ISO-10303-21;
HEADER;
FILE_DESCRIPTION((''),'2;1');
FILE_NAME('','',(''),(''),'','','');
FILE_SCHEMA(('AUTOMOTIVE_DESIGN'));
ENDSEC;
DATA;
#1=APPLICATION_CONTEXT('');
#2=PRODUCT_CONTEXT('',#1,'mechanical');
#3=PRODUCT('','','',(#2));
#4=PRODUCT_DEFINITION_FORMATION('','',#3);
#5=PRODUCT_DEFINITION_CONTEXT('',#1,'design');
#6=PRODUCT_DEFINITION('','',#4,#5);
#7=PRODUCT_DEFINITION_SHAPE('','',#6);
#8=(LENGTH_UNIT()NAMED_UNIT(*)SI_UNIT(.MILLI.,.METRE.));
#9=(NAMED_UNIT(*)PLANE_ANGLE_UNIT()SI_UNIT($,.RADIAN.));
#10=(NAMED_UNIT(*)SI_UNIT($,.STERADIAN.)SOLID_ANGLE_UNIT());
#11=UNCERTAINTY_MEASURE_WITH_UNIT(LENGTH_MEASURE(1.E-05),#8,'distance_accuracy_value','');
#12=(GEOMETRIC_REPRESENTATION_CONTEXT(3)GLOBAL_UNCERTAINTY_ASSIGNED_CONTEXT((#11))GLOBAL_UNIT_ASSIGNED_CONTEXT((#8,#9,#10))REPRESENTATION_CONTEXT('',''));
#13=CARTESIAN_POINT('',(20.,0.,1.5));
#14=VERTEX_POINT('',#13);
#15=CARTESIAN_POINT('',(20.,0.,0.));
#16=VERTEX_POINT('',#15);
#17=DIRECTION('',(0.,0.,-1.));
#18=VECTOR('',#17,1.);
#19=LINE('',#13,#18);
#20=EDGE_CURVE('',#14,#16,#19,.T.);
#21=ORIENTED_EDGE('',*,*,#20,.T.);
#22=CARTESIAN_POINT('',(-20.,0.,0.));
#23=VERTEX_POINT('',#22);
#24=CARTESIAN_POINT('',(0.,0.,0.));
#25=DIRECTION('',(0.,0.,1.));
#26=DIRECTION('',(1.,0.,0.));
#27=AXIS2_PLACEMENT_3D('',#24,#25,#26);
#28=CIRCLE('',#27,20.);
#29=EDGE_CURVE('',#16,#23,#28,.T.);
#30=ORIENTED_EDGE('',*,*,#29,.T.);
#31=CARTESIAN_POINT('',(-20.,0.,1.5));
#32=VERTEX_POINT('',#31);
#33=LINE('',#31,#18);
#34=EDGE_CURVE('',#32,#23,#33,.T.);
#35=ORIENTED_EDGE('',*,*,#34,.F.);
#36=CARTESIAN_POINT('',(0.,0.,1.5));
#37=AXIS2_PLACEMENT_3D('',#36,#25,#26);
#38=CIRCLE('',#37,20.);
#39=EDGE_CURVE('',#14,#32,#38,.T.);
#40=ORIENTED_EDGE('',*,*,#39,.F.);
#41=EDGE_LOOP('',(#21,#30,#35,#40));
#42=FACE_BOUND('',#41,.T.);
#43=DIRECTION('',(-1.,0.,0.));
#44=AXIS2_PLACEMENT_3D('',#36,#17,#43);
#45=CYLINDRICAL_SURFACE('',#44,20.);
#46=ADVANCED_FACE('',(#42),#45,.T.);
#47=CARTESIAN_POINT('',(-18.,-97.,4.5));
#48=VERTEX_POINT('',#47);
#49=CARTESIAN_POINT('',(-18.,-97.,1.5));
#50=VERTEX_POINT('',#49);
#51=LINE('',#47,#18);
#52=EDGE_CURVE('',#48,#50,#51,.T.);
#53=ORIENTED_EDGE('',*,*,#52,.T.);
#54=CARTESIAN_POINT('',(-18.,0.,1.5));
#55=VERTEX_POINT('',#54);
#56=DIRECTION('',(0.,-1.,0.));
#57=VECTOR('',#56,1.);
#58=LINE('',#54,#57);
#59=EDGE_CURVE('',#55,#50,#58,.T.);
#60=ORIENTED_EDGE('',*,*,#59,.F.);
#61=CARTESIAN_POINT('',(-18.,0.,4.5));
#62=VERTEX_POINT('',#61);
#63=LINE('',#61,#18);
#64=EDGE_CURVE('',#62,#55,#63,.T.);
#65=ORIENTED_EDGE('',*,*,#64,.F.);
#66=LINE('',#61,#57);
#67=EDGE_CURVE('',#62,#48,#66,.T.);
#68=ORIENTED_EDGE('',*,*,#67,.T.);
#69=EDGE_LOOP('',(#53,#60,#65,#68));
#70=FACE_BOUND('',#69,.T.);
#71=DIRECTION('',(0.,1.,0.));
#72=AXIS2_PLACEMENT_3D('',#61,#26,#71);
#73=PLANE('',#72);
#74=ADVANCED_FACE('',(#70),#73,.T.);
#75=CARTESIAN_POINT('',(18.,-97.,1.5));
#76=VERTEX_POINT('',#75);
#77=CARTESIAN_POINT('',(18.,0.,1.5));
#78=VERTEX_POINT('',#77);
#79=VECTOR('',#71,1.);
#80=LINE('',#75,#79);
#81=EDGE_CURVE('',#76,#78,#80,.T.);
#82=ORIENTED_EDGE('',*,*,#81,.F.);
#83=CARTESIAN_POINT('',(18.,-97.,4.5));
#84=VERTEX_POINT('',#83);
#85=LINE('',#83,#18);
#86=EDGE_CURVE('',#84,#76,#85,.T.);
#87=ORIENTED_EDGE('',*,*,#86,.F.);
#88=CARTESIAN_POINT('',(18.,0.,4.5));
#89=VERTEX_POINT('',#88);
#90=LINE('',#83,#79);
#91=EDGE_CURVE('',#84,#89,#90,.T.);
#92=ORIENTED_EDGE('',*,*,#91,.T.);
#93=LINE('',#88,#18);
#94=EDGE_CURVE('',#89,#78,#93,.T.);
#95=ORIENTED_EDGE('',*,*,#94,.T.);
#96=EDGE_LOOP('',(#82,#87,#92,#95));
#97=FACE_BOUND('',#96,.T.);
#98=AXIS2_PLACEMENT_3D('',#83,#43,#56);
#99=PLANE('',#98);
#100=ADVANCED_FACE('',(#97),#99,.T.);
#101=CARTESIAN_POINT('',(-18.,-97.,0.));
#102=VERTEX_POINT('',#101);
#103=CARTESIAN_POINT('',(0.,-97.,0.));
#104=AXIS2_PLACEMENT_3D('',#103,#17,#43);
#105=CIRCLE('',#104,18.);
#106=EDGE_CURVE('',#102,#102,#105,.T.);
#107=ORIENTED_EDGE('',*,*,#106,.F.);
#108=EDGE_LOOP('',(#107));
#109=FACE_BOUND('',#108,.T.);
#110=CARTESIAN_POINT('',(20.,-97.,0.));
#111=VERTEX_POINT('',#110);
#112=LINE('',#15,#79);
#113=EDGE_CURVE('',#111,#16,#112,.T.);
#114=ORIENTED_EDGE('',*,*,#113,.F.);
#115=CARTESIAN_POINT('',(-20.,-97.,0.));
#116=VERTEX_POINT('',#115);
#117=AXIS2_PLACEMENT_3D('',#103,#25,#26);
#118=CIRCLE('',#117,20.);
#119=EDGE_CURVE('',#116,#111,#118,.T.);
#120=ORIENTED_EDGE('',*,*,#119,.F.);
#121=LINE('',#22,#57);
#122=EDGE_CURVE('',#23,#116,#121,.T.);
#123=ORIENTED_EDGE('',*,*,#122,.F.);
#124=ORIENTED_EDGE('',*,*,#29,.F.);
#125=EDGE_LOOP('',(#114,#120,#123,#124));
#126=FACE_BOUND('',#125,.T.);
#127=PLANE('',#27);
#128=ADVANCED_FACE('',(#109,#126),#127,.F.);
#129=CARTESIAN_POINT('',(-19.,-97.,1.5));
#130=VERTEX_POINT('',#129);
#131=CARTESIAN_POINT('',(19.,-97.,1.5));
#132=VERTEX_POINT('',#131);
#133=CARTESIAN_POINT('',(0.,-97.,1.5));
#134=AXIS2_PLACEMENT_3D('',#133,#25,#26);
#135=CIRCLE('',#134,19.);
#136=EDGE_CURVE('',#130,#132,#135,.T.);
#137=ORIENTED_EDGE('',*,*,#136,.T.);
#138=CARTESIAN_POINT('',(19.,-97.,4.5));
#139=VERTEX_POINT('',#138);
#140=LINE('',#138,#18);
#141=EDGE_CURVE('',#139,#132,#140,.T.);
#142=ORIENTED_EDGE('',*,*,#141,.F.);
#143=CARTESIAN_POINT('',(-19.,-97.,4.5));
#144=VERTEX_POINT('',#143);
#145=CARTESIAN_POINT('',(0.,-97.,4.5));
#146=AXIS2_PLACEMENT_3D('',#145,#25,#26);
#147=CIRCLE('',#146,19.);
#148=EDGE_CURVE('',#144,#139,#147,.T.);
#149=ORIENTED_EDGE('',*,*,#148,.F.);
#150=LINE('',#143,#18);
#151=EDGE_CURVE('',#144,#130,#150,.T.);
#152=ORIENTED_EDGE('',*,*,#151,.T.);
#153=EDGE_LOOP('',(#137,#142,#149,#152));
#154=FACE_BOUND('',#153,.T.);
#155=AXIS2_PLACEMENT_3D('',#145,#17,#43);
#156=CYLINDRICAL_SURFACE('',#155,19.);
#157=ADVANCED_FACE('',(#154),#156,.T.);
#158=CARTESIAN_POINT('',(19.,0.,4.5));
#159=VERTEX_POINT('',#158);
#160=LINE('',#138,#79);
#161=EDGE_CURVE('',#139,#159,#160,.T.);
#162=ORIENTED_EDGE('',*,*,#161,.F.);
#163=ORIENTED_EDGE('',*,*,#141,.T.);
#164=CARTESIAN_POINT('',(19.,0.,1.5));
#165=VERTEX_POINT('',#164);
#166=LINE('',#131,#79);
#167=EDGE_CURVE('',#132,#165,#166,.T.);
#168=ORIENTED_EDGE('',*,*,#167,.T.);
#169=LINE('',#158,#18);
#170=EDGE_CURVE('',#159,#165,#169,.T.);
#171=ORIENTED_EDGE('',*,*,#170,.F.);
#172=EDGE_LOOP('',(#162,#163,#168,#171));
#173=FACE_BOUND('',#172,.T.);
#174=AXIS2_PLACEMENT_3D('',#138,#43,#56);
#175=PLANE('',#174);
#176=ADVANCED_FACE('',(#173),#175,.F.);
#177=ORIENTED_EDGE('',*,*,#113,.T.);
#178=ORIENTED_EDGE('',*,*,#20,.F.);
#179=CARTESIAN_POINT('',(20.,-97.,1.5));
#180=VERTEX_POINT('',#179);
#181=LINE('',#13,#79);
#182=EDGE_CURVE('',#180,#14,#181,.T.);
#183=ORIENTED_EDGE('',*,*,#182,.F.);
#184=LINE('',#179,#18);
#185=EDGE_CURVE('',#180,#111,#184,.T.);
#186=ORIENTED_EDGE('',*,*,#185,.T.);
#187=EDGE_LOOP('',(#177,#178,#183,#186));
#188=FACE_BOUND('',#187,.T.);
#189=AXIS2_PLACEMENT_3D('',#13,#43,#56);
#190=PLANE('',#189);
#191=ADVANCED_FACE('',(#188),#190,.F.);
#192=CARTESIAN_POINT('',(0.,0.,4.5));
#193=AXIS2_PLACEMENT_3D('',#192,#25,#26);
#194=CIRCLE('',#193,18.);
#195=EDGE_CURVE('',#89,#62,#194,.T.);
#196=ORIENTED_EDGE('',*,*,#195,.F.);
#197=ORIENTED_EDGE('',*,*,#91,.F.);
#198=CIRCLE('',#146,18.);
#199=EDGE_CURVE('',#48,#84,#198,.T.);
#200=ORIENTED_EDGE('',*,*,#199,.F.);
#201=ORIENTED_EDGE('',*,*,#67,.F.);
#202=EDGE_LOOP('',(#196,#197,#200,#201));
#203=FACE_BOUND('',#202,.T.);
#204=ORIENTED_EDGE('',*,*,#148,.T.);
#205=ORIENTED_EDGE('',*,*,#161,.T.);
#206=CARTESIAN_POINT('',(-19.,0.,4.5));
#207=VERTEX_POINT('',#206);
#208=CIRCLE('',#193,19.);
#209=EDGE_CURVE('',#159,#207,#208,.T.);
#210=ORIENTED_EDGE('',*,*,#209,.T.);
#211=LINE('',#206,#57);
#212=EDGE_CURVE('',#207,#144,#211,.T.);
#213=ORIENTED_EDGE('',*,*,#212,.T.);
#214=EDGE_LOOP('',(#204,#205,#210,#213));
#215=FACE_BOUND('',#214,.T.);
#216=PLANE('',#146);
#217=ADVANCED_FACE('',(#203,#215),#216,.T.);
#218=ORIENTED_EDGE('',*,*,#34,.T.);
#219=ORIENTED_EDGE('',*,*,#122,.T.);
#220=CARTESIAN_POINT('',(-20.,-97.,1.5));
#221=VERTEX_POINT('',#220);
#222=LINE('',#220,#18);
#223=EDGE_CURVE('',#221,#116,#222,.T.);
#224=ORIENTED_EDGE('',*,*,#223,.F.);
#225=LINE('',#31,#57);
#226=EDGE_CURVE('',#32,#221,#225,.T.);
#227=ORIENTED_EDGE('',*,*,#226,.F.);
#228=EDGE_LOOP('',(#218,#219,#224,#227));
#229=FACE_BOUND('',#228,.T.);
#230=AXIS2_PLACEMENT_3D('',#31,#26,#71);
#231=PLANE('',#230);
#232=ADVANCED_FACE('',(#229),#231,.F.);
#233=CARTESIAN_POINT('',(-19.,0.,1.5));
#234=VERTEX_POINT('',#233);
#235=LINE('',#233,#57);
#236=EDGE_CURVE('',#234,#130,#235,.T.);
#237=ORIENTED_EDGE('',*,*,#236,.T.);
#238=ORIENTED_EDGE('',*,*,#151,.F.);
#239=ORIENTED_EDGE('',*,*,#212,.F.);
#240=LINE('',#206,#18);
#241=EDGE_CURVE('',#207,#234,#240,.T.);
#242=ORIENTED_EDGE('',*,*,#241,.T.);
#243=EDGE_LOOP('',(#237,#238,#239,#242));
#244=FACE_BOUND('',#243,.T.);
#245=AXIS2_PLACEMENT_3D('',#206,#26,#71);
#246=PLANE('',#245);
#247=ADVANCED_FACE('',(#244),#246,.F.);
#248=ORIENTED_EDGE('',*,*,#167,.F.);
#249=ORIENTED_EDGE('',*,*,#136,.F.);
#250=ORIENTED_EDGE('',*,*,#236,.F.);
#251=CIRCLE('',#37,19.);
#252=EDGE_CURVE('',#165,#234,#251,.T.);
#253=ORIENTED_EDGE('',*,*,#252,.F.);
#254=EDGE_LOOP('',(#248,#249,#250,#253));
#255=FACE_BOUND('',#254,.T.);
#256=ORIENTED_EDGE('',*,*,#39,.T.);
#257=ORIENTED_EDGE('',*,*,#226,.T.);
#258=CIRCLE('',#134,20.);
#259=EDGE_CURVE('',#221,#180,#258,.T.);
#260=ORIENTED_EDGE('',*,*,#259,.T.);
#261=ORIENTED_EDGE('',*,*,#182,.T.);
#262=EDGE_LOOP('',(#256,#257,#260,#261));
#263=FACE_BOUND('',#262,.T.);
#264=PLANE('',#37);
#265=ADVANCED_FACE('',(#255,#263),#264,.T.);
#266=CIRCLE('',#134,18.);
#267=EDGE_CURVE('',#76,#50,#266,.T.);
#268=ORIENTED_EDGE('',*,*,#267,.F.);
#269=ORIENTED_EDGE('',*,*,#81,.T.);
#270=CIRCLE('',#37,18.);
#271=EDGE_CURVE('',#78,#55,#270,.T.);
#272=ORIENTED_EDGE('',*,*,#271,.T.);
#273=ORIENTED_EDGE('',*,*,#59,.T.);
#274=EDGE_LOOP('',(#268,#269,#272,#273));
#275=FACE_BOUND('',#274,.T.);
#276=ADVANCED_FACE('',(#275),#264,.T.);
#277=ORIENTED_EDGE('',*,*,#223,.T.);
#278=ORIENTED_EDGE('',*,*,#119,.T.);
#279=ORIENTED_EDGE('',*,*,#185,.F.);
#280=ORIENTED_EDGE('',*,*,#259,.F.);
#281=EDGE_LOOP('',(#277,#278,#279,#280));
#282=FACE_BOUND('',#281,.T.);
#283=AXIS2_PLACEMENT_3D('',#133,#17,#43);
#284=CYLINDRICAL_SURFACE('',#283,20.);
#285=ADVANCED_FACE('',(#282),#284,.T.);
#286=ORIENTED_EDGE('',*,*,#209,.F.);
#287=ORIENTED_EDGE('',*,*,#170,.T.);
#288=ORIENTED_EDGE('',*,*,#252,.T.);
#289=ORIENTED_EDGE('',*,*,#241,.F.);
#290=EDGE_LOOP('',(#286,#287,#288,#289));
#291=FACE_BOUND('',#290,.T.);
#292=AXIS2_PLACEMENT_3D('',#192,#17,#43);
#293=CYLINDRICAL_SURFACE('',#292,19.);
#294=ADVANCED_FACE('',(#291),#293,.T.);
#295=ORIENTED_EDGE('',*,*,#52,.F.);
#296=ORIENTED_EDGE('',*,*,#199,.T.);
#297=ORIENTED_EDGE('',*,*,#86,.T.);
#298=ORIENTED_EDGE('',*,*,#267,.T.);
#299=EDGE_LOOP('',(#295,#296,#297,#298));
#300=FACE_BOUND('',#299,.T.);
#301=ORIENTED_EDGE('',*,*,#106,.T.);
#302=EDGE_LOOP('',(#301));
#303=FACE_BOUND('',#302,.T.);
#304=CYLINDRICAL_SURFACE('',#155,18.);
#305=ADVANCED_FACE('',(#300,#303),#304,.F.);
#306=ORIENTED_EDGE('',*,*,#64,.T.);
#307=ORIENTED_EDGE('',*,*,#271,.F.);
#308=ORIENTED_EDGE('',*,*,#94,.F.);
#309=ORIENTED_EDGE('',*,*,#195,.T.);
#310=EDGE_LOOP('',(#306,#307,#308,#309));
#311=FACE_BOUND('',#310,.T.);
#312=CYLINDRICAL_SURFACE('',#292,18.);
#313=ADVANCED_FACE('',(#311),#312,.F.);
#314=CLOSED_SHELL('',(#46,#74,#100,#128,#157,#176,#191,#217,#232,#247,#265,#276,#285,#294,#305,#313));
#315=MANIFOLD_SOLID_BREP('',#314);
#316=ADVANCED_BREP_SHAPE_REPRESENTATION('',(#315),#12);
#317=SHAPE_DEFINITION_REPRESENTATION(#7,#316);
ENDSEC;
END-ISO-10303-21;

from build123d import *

# Parameters (mm, degrees)
BOSS_EXTRUDE1_DEPTH = 1.5
BOSS_EXTRUDE2_DEPTH = 3
SKETCH6_R           = 18
CUT_EXTRUDE1_DEPTH  = 119.782364011


with BuildPart() as part:
    # Sketch3 → Boss-Extrude1 (new body)
    with BuildSketch(Plane.XY):
        with BuildLine():
            Line((-20, 0), (-20, -97))
            ThreePointArc((-20, -97), (0, -117), (20, -97))
            Line((20, -97), (20, 0))
            ThreePointArc((20, 0), (0, 20), (-20, 0))
        make_face()
    extrude(amount=BOSS_EXTRUDE1_DEPTH)

    # Sketch5 → Boss-Extrude2 (add)
    with BuildSketch(Plane.XY.offset(1.5)):
        with BuildLine():
            Line((-19, 0), (-19, -97))
            ThreePointArc((-19, -97), (0, -116), (19, -97))
            Line((19, -97), (19, 0))
            ThreePointArc((19, 0), (0, 19), (-19, 0))
        make_face()
        with BuildLine():
            Line((-18, 0), (-18, -97))
            ThreePointArc((-18, -97), (0, -115), (18, -97))
            Line((18, -97), (18, 0))
            ThreePointArc((18, 0), (0, 18), (-18, 0))
        make_face(mode=Mode.SUBTRACT)
    extrude(amount=BOSS_EXTRUDE2_DEPTH)

    # Sketch6 → Cut-Extrude1 (cut, through all)
    with BuildSketch(Plane(origin=(0, 0, 0), x_dir=(-1, 0, 0), z_dir=(0, 0, -1))):
        with Locations((0, -97)):
            Circle(SKETCH6_R)
    extrude(amount=-CUT_EXTRUDE1_DEPTH, mode=Mode.SUBTRACT)


solid = part.part
